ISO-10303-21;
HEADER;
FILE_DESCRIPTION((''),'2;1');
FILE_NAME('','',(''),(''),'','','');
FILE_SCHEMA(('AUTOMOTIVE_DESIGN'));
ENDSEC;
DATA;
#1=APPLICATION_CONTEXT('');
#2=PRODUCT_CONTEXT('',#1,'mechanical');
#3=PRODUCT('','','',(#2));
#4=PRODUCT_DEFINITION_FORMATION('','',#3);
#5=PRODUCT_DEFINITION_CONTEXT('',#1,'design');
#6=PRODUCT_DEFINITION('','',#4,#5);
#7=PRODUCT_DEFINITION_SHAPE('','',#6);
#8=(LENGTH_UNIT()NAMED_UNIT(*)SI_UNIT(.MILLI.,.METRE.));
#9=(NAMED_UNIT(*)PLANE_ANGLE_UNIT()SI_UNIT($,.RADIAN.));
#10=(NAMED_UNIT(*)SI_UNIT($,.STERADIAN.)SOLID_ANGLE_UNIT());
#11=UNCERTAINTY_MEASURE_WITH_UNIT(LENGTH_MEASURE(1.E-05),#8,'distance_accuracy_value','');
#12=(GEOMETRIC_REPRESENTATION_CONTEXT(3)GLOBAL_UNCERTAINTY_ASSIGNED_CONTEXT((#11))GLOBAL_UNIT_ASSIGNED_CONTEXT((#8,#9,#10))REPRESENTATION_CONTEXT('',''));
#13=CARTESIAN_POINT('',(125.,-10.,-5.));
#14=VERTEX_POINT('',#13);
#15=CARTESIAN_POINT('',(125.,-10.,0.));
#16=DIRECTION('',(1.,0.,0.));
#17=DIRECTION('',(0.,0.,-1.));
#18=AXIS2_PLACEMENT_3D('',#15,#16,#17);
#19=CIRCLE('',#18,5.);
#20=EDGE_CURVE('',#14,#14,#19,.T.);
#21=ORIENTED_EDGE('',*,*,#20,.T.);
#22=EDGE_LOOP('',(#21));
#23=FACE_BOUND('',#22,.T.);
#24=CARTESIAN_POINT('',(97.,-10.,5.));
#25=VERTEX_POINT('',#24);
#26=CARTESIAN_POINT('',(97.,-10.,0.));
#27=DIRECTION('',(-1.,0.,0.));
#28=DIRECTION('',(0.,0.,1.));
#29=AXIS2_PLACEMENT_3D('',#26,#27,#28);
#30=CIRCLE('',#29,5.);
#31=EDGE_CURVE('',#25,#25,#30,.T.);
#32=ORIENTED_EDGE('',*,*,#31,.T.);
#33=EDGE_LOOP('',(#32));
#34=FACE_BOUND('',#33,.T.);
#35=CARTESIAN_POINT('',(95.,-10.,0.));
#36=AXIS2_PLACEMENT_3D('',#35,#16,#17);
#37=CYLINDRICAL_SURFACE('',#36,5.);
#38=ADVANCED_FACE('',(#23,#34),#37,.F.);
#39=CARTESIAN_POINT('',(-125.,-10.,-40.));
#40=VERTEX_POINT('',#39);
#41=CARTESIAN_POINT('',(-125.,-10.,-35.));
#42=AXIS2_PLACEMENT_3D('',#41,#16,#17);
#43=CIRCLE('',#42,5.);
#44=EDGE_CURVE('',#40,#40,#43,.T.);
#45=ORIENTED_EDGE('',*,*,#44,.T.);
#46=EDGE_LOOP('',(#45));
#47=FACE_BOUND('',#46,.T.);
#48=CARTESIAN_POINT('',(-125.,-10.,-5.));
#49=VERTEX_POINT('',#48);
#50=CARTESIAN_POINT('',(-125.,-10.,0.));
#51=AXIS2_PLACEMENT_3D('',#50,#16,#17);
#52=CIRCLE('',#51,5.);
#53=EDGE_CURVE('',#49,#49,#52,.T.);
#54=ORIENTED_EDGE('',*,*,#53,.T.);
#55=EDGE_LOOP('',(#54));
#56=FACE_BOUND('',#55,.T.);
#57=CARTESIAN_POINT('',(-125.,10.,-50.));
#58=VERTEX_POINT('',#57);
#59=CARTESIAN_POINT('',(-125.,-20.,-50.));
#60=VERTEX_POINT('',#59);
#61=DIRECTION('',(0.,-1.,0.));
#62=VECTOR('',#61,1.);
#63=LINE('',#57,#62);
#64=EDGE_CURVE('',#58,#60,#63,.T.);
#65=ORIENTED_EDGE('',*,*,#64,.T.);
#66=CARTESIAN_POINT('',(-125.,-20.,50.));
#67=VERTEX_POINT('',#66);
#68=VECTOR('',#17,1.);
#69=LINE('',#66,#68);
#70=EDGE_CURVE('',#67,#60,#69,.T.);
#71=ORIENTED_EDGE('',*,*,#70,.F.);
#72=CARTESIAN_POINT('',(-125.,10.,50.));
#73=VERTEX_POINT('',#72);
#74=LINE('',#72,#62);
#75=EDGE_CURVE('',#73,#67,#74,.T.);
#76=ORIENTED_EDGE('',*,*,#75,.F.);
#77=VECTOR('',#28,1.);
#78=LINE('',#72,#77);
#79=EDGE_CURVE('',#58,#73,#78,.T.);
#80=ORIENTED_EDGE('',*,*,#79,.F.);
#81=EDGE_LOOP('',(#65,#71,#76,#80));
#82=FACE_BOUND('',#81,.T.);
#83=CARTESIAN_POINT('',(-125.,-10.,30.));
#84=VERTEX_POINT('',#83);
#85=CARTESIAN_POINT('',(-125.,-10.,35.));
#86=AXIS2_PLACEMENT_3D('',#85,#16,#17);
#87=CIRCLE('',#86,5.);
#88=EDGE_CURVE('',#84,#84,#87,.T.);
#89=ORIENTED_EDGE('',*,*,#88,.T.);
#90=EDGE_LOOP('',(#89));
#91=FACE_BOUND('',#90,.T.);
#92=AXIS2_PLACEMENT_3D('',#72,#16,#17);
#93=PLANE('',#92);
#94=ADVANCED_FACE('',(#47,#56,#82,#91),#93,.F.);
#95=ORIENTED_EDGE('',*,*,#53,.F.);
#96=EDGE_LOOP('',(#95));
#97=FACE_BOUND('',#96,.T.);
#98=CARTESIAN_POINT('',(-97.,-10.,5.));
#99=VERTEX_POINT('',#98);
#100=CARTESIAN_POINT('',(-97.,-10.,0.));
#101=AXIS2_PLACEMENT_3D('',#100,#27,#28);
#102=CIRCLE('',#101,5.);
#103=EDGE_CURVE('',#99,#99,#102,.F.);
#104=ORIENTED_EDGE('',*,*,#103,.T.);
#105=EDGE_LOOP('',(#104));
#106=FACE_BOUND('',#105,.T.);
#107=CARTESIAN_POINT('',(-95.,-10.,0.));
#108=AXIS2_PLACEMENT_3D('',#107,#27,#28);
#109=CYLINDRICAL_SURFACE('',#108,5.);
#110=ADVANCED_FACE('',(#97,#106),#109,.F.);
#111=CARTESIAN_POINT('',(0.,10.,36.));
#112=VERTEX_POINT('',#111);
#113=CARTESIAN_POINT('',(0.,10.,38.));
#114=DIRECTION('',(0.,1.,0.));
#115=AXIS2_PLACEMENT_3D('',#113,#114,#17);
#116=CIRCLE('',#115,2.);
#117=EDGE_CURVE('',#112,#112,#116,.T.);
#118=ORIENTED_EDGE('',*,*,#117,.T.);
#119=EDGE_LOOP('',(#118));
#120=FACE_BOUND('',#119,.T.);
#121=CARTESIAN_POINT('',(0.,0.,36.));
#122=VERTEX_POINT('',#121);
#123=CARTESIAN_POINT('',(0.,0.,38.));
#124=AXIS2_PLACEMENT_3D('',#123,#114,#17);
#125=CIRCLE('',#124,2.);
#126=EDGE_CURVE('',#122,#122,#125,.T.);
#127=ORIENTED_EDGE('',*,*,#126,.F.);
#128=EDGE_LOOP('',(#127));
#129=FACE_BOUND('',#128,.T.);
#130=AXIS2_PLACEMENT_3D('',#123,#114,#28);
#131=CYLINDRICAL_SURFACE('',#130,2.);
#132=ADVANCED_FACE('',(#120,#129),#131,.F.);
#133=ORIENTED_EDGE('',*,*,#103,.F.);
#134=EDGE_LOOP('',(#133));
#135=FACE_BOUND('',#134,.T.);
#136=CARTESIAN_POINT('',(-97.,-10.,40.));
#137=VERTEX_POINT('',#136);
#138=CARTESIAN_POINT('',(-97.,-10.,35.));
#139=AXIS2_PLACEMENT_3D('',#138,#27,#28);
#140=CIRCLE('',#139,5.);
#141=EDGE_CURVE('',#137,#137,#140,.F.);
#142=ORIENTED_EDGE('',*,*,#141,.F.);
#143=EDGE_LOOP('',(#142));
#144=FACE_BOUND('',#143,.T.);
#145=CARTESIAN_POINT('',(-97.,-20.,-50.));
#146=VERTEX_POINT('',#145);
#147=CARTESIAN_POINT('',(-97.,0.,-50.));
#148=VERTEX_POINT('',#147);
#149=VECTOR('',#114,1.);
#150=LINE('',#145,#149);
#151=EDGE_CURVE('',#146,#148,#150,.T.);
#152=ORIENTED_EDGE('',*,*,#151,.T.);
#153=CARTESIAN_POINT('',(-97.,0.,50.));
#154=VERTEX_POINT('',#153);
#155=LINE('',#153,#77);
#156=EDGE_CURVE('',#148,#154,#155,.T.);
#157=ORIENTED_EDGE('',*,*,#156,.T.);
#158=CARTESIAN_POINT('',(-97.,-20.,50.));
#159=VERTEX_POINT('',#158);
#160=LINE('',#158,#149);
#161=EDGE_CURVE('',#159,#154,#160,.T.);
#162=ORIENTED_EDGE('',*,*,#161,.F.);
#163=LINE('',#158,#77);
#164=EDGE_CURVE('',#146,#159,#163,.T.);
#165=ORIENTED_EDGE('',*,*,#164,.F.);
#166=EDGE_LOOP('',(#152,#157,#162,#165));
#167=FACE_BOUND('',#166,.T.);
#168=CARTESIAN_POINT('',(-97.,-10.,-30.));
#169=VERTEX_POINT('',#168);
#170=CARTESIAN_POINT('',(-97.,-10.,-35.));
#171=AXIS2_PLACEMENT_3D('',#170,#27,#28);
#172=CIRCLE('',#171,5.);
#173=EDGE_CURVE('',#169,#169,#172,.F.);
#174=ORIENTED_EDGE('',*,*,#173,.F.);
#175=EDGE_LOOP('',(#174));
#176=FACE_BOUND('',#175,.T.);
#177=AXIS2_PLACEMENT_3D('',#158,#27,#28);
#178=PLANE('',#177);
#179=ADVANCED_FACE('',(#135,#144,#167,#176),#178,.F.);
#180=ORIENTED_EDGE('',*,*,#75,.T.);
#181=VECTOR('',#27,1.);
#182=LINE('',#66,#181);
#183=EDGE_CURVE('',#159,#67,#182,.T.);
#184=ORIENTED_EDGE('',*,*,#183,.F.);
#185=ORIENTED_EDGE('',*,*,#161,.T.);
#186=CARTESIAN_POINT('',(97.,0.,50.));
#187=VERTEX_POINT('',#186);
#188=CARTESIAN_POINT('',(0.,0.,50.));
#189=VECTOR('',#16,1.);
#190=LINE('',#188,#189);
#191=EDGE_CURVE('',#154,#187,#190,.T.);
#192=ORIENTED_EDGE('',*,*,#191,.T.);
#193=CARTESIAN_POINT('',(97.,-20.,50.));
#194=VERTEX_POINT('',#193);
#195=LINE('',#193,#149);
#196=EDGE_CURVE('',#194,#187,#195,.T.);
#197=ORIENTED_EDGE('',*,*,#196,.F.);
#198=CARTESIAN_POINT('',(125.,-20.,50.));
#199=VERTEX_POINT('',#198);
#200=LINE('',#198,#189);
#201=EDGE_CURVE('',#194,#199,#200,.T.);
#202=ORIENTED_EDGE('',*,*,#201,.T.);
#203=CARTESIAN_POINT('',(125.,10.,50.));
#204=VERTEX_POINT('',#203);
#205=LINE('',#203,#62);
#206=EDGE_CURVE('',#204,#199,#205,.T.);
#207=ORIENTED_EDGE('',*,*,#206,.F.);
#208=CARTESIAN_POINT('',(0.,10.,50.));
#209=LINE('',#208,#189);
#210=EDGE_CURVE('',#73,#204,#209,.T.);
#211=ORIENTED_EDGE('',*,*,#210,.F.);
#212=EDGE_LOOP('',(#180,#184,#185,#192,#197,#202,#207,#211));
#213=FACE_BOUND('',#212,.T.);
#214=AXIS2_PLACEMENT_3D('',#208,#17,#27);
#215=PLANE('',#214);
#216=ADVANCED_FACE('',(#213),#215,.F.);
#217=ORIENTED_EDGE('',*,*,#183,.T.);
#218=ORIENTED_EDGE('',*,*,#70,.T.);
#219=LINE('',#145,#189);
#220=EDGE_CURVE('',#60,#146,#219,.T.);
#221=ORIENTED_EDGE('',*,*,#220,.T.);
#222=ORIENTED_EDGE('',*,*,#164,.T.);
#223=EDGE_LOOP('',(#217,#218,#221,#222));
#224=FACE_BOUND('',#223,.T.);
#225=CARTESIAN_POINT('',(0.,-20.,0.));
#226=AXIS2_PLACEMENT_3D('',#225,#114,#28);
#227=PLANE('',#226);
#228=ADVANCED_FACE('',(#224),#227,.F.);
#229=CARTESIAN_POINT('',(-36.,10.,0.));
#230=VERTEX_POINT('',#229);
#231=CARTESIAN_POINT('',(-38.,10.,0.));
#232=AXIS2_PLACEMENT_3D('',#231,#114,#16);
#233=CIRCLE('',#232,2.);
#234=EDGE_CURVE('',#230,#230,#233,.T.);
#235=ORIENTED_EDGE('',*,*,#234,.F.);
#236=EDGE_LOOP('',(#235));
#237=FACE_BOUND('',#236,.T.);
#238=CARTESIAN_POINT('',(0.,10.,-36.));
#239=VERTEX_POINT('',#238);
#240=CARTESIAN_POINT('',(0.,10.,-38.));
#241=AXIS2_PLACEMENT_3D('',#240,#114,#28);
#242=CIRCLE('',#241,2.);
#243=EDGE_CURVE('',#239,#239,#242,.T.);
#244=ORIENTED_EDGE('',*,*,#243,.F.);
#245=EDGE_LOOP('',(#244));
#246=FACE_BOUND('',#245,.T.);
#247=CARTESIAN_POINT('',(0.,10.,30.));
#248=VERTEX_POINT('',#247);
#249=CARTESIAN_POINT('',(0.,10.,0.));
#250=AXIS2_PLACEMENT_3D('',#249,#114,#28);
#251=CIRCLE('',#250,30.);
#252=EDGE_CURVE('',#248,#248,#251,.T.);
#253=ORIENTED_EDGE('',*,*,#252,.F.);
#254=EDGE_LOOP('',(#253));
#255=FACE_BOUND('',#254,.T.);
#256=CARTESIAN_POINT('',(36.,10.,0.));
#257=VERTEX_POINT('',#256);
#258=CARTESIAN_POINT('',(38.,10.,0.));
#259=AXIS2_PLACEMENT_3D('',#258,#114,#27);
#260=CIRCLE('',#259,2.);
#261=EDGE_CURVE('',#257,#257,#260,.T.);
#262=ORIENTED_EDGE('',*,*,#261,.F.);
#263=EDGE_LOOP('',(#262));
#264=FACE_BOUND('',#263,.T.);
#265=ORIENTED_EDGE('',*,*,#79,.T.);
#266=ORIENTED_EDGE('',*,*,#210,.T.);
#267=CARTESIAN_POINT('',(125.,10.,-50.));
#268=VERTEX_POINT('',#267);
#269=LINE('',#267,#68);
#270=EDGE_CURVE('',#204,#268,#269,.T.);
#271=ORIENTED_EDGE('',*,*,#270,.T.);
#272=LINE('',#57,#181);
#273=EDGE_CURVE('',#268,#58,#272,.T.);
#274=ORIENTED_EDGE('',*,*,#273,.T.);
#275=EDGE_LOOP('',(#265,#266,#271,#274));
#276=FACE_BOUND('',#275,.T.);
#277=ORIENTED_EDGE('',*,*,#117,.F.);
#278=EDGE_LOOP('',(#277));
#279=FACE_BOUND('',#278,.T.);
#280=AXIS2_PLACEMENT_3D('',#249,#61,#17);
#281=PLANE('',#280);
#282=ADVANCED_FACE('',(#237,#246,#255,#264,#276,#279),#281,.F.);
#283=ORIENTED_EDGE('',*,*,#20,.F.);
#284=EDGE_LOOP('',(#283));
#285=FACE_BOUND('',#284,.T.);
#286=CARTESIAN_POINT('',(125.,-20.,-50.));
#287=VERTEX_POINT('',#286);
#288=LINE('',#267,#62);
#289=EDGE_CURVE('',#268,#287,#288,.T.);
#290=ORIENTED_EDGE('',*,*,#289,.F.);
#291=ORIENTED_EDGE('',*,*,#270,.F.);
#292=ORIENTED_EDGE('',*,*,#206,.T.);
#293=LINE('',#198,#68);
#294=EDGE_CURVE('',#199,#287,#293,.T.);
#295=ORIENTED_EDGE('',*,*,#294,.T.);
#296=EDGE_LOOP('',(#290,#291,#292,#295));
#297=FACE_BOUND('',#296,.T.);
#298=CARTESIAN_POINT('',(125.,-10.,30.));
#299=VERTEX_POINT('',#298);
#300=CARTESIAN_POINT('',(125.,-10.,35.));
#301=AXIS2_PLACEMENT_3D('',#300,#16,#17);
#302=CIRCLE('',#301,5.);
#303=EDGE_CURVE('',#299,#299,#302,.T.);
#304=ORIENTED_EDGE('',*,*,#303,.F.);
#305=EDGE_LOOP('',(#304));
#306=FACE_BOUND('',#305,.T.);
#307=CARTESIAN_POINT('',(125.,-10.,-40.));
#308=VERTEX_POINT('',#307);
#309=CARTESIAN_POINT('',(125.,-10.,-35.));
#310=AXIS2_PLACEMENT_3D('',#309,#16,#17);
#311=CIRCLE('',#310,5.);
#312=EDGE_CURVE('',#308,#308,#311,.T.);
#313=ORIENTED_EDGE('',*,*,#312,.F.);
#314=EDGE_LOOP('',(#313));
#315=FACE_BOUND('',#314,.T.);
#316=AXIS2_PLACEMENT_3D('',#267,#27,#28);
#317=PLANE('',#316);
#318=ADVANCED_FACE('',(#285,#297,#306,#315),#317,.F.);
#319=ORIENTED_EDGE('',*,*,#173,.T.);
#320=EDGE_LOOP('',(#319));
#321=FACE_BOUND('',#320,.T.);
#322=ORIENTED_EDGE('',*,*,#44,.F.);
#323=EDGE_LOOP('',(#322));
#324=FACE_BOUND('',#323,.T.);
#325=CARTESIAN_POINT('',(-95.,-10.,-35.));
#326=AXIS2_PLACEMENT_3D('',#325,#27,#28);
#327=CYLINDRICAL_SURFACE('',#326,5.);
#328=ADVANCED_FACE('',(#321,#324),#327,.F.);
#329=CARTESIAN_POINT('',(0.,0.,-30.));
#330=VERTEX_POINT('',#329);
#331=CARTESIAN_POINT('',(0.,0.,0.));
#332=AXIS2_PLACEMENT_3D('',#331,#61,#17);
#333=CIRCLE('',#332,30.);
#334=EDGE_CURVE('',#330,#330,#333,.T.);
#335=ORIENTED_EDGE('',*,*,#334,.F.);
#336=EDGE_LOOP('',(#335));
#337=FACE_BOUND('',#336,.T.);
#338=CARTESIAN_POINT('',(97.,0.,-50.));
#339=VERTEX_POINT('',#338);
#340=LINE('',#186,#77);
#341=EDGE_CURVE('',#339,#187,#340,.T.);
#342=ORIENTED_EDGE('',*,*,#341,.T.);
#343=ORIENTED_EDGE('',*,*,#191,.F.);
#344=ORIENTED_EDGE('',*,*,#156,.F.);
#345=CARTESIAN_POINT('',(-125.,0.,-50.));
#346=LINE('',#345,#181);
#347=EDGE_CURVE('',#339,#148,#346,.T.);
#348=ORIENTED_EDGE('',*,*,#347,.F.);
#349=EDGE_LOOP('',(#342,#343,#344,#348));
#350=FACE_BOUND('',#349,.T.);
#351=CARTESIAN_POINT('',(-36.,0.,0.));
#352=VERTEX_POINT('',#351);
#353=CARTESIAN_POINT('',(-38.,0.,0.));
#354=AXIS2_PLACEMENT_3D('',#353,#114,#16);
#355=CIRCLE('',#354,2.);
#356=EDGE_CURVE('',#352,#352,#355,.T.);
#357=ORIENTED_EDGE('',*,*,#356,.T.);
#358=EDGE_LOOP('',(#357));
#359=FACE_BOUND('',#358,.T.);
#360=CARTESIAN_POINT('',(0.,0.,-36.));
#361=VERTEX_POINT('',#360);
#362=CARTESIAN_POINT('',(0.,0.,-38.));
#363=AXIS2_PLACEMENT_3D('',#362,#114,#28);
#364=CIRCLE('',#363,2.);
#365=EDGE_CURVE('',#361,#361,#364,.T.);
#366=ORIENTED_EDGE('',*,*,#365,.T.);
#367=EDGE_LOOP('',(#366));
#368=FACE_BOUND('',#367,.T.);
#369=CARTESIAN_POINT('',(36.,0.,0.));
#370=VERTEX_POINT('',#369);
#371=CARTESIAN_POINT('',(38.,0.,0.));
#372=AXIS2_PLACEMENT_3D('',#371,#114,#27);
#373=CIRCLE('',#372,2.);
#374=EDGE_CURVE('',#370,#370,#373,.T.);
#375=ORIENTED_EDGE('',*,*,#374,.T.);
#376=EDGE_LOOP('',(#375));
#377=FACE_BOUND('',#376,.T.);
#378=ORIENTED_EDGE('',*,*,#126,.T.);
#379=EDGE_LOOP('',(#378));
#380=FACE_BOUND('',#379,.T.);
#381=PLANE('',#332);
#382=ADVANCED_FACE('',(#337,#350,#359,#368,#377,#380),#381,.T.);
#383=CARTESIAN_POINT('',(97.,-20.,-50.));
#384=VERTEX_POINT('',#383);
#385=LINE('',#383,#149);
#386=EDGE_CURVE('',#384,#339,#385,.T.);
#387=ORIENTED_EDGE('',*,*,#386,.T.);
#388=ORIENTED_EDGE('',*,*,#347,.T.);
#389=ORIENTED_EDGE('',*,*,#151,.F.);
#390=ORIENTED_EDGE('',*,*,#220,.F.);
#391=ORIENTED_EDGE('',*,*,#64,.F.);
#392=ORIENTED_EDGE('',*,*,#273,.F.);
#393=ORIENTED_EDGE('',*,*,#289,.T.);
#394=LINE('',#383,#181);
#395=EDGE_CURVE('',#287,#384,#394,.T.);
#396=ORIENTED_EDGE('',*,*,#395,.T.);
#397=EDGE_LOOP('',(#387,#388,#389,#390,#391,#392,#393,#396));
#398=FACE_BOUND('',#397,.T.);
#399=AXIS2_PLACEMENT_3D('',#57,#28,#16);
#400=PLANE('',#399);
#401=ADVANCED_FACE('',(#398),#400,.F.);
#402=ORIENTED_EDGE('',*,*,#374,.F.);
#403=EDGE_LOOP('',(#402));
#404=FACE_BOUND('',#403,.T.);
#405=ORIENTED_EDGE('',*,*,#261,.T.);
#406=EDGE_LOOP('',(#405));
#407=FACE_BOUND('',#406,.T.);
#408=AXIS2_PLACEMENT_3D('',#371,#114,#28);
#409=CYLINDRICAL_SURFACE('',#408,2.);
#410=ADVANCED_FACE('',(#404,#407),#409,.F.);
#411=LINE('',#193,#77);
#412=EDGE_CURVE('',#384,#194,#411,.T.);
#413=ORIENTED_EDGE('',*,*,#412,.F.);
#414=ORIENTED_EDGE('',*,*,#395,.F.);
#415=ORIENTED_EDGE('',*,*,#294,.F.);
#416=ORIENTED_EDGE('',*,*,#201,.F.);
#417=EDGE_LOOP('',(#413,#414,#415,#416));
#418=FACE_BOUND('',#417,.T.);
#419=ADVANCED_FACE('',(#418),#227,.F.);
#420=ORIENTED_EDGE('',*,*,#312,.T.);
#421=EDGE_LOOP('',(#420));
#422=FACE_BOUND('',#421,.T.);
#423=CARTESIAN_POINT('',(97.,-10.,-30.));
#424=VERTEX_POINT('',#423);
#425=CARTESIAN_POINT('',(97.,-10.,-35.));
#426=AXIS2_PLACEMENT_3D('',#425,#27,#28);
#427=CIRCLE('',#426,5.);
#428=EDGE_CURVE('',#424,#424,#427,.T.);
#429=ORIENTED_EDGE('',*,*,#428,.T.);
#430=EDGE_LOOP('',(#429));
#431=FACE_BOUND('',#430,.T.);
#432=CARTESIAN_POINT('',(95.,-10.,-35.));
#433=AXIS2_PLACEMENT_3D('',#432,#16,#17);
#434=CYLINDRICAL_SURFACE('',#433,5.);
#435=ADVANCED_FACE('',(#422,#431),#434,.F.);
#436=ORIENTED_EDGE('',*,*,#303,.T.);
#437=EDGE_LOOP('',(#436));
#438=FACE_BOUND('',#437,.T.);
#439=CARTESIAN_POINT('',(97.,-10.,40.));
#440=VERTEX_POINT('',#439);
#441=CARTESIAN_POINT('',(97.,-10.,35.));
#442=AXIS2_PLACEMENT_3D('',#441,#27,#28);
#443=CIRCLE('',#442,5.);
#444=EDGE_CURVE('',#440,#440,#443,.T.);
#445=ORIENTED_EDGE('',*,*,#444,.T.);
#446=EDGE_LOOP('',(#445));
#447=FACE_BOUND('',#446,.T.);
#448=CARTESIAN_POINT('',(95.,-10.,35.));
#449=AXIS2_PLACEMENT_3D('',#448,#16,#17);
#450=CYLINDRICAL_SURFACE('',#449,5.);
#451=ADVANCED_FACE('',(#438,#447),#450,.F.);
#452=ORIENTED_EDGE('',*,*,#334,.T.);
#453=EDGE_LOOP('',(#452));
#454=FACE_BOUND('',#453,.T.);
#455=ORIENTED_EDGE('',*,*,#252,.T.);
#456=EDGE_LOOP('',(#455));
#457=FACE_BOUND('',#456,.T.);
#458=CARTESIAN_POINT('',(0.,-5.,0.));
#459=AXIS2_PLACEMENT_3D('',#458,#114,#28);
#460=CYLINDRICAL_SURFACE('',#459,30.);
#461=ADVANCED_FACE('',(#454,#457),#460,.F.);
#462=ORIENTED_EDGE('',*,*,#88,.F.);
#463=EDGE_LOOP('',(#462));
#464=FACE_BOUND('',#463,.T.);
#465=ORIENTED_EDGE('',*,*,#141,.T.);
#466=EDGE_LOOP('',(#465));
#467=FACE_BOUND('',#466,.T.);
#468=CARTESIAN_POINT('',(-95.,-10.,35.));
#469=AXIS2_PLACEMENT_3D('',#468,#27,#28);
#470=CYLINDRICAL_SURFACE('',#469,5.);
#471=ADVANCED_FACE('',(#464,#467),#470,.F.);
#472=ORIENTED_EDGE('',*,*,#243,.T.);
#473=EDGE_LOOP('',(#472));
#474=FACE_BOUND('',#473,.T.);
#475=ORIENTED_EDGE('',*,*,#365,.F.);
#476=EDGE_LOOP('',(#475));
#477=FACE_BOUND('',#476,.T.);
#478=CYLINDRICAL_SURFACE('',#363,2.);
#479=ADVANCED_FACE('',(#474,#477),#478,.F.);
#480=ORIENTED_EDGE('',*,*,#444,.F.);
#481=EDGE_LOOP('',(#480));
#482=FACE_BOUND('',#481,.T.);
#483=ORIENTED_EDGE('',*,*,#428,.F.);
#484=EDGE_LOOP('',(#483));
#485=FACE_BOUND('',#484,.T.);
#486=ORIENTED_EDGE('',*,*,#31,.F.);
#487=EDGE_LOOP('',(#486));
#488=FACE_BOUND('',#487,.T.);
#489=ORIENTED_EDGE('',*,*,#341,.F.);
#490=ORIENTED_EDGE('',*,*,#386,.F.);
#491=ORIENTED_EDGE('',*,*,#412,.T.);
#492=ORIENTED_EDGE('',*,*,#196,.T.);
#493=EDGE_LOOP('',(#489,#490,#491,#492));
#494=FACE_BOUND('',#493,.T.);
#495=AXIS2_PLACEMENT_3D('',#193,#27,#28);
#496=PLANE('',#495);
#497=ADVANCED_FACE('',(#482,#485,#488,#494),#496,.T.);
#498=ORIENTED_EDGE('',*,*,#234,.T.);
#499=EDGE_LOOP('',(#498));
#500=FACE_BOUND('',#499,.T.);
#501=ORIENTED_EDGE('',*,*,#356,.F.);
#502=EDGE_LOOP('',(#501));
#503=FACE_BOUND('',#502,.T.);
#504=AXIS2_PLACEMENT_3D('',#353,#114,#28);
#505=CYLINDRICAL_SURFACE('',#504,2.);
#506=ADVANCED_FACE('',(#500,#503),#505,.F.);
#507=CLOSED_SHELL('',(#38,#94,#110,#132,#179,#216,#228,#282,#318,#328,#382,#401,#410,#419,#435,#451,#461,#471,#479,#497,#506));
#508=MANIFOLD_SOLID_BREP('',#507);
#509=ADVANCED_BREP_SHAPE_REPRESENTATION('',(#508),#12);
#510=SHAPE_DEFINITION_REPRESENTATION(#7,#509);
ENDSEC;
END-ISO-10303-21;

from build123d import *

# Parameters (mm, degrees)
EXTRUDE_1_DEPTH          = 10
SKETCH_2_R               = 30
CUT_EXTRUDE_1_DEPTH      = 15
SKETCH_4_W               = 28
SKETCH_4_H               = 100
EXTRUDE_2_DEPTH          = 20
SKETCH_5_R               = 5
CUT_EXTRUDE_2_DEPTH      = 30
SKETCH_6_R               = 2
CUT_EXTRUDE_4_DEPTH      = 10
PATTERN_CIRCULAR_1_COUNT = 4


with BuildPart() as part:
    # 草图1 → 凸台-拉伸1 (new body)
    with BuildSketch(Plane(origin=(0, 0, 0), x_dir=(1, 0, 0), z_dir=(0, 1, 0))):
        Polygon((0, -50), (125, -50), (125, 50), (-125, 50), (-125, -50), align=None)
    extrude(amount=EXTRUDE_1_DEPTH)

    # 草图2 → 切除-拉伸1 (cut)
    with BuildSketch(Plane(origin=(0, 10, 0), x_dir=(1, 0, 0), z_dir=(0, 1, 0))):
        with Locations(Location((0, 0, 0), (0, 0, 270))):
            Circle(SKETCH_2_R)
    extrude(amount=-CUT_EXTRUDE_1_DEPTH, mode=Mode.SUBTRACT)

    # 草图4 → 凸台-拉伸2 (add)
    with BuildSketch(Plane.XZ):
        with Locations((-111, 0)):
            Rectangle(SKETCH_4_W, SKETCH_4_H)
    extrude_2 = extrude(amount=EXTRUDE_2_DEPTH)

    # 镜向1: 凸台-拉伸2 across plane
    add(extrude_2.mirror(Plane(origin=(0, 0, 0), x_dir=(0, 0, 1), z_dir=(1, 0, 0))))

    # 草图5 → 切除-拉伸2 (cut)
    with BuildSketch(Plane(origin=(125, 0, 0), x_dir=(0, 0, -1), z_dir=(1, 0, 0))):
        with Locations((0, -10)):
            Circle(SKETCH_5_R)
        with Locations((35, -10)):
            Circle(SKETCH_5_R)
        with Locations((-35, -10)):
            Circle(SKETCH_5_R)
    cut_extrude_2 = extrude(amount=-CUT_EXTRUDE_2_DEPTH, mode=Mode.SUBTRACT)

    # 镜向2: 切除-拉伸2 across plane
    add(cut_extrude_2.mirror(Plane(origin=(0, 0, 0), x_dir=(0, 0, 1), z_dir=(1, 0, 0))), mode=Mode.SUBTRACT)

    # 草图6 → 切除-拉伸4 (cut)
    with BuildSketch(Plane(origin=(0, 10, 0), x_dir=(1, 0, 0), z_dir=(0, 1, 0))):
        with Locations(Location((0, 38, 0), (0, 0, 270))):
            Circle(SKETCH_6_R)
    cut_extrude_4 = extrude(amount=-CUT_EXTRUDE_4_DEPTH, mode=Mode.SUBTRACT)

    # 阵列(圆周)1: 切除-拉伸4 ×4 about axis
    pattern_circular_1_axis = Axis((0, 0, 0), (0, 1, 0))
    for i in range(1, PATTERN_CIRCULAR_1_COUNT):
        add(cut_extrude_4.rotate(pattern_circular_1_axis, i * 360 / PATTERN_CIRCULAR_1_COUNT), mode=Mode.SUBTRACT)


solid = part.part
